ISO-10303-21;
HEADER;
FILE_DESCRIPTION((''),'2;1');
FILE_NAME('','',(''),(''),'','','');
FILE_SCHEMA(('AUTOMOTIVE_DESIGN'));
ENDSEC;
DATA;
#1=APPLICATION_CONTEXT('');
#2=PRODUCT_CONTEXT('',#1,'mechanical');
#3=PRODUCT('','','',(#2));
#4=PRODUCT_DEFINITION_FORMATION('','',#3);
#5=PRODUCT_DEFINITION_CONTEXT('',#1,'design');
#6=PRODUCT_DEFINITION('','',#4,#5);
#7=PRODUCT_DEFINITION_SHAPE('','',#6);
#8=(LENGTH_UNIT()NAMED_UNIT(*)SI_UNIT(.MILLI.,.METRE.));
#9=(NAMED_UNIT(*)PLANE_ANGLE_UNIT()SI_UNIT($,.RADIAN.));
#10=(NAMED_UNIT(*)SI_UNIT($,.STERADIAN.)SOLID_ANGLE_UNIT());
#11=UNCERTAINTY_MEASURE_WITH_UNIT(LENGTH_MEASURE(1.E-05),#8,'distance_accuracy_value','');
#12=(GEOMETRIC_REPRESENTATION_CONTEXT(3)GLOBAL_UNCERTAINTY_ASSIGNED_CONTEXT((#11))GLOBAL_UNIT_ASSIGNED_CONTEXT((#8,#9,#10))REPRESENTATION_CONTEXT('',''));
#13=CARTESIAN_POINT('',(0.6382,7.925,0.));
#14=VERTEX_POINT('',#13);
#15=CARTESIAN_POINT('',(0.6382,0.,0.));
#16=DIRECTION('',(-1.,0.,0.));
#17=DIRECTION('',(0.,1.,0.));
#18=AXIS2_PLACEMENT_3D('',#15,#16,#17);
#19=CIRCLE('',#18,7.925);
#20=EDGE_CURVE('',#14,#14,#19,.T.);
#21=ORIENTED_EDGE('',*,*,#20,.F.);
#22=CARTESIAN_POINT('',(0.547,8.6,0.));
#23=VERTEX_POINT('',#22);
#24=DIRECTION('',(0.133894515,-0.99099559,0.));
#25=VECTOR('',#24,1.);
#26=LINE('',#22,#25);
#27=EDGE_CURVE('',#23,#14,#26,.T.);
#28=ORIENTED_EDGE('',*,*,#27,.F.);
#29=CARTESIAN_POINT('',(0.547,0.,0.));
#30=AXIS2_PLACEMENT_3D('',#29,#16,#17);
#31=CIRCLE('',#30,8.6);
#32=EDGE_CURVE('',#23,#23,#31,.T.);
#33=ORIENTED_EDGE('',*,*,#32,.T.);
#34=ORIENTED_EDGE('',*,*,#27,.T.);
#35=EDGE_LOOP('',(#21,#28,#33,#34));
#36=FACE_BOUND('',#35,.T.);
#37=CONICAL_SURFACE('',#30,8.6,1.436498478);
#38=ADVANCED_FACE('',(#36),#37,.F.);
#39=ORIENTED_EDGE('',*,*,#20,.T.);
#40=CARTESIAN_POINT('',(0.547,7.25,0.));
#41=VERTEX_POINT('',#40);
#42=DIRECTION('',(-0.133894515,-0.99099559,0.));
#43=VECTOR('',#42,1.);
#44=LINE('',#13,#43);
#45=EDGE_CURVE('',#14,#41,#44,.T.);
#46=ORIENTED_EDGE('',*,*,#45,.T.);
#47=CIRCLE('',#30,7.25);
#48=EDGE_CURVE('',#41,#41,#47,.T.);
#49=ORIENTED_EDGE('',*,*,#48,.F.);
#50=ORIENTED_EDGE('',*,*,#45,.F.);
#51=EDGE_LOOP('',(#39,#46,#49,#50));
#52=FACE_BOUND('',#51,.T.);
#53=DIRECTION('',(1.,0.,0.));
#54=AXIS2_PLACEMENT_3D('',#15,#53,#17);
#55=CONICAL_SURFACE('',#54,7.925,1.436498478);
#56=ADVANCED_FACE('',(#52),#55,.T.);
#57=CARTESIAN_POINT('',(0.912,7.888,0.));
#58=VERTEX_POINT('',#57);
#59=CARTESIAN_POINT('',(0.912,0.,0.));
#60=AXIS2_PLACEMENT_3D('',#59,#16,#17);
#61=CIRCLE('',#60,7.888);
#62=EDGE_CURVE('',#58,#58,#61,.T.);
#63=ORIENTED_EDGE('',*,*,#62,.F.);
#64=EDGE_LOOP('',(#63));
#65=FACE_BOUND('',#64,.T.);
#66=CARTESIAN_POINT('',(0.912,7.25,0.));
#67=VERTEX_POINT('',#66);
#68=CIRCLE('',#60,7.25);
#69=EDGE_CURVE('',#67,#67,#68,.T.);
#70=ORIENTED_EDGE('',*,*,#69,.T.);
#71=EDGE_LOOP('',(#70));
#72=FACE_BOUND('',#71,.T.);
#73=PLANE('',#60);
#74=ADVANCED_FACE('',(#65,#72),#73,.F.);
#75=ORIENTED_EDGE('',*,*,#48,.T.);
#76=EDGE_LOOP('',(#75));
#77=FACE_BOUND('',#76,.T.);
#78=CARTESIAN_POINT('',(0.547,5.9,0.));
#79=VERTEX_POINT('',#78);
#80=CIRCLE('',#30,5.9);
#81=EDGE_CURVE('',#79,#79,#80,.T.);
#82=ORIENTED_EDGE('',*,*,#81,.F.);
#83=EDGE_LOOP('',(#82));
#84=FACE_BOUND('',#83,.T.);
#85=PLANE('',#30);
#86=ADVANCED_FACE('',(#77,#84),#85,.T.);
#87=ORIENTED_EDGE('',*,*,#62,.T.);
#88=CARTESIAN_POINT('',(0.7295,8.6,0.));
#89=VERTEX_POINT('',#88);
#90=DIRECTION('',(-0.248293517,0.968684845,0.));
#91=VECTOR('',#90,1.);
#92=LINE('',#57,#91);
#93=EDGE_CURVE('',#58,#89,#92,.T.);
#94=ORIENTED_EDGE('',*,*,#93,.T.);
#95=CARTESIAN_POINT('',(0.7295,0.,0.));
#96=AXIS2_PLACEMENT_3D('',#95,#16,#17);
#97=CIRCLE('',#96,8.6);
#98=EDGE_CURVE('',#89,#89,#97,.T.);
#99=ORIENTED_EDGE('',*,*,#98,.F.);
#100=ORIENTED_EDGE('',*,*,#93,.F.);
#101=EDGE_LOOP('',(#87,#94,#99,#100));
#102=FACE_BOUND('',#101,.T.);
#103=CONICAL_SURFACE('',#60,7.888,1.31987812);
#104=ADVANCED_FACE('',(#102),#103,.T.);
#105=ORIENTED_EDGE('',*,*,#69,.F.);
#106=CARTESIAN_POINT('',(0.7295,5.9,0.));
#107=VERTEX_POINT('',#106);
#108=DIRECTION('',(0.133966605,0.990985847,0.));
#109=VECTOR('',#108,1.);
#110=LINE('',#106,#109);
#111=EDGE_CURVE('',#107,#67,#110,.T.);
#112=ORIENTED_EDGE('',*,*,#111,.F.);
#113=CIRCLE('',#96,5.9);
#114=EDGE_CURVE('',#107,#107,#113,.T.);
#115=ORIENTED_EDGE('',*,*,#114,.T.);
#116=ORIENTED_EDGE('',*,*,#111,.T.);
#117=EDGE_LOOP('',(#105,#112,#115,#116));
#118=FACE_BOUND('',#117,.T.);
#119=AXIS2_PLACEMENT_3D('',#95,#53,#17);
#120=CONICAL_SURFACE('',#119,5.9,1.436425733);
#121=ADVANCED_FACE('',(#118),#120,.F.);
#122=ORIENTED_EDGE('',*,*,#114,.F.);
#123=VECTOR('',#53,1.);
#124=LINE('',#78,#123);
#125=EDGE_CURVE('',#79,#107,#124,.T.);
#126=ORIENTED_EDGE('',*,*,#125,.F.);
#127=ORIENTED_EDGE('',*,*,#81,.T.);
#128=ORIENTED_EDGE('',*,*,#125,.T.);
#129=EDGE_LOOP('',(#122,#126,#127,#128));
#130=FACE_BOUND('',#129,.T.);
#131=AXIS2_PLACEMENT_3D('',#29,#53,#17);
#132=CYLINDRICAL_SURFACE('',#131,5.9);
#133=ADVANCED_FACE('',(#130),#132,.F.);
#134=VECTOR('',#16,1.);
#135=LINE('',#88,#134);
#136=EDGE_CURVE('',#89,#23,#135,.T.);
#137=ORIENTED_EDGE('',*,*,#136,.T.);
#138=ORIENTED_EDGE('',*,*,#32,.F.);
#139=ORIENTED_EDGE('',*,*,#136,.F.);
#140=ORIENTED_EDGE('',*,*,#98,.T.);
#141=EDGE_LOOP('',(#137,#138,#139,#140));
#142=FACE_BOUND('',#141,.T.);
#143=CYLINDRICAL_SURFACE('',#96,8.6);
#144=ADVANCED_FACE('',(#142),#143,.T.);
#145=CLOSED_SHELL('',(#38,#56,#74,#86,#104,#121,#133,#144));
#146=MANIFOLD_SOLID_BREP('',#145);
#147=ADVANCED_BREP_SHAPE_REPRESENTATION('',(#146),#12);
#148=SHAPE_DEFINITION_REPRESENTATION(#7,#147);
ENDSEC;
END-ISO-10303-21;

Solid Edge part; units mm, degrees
sketch "Sketch1" plane through (0, 0, 0) normal (0, 0, 1) x (1, 0, 0)
  line L0 (0.547, 5.9) -> (0.7295, 5.9)
  line L1 (0.7295, 5.9) -> (0.912, 7.25)
  line L2 (0.912, 7.25) -> (0.912, 7.888)
  line L3 (0.912, 7.888) -> (0.7295, 8.6)
  line L4 (0.7295, 8.6) -> (0.547, 8.6)
  line L5 (0.547, 8.6) -> (0.6382, 7.925)
  line L6 (0.6382, 7.925) -> (0.547, 7.25)
  line L7 (0.547, 7.25) -> (0.547, 5.9)
revolve "RevolvedProtrusion1" add sketch "Sketch1" angle 360 about axis through (0.7295, 0, 0) along (-1, 0, 0)
